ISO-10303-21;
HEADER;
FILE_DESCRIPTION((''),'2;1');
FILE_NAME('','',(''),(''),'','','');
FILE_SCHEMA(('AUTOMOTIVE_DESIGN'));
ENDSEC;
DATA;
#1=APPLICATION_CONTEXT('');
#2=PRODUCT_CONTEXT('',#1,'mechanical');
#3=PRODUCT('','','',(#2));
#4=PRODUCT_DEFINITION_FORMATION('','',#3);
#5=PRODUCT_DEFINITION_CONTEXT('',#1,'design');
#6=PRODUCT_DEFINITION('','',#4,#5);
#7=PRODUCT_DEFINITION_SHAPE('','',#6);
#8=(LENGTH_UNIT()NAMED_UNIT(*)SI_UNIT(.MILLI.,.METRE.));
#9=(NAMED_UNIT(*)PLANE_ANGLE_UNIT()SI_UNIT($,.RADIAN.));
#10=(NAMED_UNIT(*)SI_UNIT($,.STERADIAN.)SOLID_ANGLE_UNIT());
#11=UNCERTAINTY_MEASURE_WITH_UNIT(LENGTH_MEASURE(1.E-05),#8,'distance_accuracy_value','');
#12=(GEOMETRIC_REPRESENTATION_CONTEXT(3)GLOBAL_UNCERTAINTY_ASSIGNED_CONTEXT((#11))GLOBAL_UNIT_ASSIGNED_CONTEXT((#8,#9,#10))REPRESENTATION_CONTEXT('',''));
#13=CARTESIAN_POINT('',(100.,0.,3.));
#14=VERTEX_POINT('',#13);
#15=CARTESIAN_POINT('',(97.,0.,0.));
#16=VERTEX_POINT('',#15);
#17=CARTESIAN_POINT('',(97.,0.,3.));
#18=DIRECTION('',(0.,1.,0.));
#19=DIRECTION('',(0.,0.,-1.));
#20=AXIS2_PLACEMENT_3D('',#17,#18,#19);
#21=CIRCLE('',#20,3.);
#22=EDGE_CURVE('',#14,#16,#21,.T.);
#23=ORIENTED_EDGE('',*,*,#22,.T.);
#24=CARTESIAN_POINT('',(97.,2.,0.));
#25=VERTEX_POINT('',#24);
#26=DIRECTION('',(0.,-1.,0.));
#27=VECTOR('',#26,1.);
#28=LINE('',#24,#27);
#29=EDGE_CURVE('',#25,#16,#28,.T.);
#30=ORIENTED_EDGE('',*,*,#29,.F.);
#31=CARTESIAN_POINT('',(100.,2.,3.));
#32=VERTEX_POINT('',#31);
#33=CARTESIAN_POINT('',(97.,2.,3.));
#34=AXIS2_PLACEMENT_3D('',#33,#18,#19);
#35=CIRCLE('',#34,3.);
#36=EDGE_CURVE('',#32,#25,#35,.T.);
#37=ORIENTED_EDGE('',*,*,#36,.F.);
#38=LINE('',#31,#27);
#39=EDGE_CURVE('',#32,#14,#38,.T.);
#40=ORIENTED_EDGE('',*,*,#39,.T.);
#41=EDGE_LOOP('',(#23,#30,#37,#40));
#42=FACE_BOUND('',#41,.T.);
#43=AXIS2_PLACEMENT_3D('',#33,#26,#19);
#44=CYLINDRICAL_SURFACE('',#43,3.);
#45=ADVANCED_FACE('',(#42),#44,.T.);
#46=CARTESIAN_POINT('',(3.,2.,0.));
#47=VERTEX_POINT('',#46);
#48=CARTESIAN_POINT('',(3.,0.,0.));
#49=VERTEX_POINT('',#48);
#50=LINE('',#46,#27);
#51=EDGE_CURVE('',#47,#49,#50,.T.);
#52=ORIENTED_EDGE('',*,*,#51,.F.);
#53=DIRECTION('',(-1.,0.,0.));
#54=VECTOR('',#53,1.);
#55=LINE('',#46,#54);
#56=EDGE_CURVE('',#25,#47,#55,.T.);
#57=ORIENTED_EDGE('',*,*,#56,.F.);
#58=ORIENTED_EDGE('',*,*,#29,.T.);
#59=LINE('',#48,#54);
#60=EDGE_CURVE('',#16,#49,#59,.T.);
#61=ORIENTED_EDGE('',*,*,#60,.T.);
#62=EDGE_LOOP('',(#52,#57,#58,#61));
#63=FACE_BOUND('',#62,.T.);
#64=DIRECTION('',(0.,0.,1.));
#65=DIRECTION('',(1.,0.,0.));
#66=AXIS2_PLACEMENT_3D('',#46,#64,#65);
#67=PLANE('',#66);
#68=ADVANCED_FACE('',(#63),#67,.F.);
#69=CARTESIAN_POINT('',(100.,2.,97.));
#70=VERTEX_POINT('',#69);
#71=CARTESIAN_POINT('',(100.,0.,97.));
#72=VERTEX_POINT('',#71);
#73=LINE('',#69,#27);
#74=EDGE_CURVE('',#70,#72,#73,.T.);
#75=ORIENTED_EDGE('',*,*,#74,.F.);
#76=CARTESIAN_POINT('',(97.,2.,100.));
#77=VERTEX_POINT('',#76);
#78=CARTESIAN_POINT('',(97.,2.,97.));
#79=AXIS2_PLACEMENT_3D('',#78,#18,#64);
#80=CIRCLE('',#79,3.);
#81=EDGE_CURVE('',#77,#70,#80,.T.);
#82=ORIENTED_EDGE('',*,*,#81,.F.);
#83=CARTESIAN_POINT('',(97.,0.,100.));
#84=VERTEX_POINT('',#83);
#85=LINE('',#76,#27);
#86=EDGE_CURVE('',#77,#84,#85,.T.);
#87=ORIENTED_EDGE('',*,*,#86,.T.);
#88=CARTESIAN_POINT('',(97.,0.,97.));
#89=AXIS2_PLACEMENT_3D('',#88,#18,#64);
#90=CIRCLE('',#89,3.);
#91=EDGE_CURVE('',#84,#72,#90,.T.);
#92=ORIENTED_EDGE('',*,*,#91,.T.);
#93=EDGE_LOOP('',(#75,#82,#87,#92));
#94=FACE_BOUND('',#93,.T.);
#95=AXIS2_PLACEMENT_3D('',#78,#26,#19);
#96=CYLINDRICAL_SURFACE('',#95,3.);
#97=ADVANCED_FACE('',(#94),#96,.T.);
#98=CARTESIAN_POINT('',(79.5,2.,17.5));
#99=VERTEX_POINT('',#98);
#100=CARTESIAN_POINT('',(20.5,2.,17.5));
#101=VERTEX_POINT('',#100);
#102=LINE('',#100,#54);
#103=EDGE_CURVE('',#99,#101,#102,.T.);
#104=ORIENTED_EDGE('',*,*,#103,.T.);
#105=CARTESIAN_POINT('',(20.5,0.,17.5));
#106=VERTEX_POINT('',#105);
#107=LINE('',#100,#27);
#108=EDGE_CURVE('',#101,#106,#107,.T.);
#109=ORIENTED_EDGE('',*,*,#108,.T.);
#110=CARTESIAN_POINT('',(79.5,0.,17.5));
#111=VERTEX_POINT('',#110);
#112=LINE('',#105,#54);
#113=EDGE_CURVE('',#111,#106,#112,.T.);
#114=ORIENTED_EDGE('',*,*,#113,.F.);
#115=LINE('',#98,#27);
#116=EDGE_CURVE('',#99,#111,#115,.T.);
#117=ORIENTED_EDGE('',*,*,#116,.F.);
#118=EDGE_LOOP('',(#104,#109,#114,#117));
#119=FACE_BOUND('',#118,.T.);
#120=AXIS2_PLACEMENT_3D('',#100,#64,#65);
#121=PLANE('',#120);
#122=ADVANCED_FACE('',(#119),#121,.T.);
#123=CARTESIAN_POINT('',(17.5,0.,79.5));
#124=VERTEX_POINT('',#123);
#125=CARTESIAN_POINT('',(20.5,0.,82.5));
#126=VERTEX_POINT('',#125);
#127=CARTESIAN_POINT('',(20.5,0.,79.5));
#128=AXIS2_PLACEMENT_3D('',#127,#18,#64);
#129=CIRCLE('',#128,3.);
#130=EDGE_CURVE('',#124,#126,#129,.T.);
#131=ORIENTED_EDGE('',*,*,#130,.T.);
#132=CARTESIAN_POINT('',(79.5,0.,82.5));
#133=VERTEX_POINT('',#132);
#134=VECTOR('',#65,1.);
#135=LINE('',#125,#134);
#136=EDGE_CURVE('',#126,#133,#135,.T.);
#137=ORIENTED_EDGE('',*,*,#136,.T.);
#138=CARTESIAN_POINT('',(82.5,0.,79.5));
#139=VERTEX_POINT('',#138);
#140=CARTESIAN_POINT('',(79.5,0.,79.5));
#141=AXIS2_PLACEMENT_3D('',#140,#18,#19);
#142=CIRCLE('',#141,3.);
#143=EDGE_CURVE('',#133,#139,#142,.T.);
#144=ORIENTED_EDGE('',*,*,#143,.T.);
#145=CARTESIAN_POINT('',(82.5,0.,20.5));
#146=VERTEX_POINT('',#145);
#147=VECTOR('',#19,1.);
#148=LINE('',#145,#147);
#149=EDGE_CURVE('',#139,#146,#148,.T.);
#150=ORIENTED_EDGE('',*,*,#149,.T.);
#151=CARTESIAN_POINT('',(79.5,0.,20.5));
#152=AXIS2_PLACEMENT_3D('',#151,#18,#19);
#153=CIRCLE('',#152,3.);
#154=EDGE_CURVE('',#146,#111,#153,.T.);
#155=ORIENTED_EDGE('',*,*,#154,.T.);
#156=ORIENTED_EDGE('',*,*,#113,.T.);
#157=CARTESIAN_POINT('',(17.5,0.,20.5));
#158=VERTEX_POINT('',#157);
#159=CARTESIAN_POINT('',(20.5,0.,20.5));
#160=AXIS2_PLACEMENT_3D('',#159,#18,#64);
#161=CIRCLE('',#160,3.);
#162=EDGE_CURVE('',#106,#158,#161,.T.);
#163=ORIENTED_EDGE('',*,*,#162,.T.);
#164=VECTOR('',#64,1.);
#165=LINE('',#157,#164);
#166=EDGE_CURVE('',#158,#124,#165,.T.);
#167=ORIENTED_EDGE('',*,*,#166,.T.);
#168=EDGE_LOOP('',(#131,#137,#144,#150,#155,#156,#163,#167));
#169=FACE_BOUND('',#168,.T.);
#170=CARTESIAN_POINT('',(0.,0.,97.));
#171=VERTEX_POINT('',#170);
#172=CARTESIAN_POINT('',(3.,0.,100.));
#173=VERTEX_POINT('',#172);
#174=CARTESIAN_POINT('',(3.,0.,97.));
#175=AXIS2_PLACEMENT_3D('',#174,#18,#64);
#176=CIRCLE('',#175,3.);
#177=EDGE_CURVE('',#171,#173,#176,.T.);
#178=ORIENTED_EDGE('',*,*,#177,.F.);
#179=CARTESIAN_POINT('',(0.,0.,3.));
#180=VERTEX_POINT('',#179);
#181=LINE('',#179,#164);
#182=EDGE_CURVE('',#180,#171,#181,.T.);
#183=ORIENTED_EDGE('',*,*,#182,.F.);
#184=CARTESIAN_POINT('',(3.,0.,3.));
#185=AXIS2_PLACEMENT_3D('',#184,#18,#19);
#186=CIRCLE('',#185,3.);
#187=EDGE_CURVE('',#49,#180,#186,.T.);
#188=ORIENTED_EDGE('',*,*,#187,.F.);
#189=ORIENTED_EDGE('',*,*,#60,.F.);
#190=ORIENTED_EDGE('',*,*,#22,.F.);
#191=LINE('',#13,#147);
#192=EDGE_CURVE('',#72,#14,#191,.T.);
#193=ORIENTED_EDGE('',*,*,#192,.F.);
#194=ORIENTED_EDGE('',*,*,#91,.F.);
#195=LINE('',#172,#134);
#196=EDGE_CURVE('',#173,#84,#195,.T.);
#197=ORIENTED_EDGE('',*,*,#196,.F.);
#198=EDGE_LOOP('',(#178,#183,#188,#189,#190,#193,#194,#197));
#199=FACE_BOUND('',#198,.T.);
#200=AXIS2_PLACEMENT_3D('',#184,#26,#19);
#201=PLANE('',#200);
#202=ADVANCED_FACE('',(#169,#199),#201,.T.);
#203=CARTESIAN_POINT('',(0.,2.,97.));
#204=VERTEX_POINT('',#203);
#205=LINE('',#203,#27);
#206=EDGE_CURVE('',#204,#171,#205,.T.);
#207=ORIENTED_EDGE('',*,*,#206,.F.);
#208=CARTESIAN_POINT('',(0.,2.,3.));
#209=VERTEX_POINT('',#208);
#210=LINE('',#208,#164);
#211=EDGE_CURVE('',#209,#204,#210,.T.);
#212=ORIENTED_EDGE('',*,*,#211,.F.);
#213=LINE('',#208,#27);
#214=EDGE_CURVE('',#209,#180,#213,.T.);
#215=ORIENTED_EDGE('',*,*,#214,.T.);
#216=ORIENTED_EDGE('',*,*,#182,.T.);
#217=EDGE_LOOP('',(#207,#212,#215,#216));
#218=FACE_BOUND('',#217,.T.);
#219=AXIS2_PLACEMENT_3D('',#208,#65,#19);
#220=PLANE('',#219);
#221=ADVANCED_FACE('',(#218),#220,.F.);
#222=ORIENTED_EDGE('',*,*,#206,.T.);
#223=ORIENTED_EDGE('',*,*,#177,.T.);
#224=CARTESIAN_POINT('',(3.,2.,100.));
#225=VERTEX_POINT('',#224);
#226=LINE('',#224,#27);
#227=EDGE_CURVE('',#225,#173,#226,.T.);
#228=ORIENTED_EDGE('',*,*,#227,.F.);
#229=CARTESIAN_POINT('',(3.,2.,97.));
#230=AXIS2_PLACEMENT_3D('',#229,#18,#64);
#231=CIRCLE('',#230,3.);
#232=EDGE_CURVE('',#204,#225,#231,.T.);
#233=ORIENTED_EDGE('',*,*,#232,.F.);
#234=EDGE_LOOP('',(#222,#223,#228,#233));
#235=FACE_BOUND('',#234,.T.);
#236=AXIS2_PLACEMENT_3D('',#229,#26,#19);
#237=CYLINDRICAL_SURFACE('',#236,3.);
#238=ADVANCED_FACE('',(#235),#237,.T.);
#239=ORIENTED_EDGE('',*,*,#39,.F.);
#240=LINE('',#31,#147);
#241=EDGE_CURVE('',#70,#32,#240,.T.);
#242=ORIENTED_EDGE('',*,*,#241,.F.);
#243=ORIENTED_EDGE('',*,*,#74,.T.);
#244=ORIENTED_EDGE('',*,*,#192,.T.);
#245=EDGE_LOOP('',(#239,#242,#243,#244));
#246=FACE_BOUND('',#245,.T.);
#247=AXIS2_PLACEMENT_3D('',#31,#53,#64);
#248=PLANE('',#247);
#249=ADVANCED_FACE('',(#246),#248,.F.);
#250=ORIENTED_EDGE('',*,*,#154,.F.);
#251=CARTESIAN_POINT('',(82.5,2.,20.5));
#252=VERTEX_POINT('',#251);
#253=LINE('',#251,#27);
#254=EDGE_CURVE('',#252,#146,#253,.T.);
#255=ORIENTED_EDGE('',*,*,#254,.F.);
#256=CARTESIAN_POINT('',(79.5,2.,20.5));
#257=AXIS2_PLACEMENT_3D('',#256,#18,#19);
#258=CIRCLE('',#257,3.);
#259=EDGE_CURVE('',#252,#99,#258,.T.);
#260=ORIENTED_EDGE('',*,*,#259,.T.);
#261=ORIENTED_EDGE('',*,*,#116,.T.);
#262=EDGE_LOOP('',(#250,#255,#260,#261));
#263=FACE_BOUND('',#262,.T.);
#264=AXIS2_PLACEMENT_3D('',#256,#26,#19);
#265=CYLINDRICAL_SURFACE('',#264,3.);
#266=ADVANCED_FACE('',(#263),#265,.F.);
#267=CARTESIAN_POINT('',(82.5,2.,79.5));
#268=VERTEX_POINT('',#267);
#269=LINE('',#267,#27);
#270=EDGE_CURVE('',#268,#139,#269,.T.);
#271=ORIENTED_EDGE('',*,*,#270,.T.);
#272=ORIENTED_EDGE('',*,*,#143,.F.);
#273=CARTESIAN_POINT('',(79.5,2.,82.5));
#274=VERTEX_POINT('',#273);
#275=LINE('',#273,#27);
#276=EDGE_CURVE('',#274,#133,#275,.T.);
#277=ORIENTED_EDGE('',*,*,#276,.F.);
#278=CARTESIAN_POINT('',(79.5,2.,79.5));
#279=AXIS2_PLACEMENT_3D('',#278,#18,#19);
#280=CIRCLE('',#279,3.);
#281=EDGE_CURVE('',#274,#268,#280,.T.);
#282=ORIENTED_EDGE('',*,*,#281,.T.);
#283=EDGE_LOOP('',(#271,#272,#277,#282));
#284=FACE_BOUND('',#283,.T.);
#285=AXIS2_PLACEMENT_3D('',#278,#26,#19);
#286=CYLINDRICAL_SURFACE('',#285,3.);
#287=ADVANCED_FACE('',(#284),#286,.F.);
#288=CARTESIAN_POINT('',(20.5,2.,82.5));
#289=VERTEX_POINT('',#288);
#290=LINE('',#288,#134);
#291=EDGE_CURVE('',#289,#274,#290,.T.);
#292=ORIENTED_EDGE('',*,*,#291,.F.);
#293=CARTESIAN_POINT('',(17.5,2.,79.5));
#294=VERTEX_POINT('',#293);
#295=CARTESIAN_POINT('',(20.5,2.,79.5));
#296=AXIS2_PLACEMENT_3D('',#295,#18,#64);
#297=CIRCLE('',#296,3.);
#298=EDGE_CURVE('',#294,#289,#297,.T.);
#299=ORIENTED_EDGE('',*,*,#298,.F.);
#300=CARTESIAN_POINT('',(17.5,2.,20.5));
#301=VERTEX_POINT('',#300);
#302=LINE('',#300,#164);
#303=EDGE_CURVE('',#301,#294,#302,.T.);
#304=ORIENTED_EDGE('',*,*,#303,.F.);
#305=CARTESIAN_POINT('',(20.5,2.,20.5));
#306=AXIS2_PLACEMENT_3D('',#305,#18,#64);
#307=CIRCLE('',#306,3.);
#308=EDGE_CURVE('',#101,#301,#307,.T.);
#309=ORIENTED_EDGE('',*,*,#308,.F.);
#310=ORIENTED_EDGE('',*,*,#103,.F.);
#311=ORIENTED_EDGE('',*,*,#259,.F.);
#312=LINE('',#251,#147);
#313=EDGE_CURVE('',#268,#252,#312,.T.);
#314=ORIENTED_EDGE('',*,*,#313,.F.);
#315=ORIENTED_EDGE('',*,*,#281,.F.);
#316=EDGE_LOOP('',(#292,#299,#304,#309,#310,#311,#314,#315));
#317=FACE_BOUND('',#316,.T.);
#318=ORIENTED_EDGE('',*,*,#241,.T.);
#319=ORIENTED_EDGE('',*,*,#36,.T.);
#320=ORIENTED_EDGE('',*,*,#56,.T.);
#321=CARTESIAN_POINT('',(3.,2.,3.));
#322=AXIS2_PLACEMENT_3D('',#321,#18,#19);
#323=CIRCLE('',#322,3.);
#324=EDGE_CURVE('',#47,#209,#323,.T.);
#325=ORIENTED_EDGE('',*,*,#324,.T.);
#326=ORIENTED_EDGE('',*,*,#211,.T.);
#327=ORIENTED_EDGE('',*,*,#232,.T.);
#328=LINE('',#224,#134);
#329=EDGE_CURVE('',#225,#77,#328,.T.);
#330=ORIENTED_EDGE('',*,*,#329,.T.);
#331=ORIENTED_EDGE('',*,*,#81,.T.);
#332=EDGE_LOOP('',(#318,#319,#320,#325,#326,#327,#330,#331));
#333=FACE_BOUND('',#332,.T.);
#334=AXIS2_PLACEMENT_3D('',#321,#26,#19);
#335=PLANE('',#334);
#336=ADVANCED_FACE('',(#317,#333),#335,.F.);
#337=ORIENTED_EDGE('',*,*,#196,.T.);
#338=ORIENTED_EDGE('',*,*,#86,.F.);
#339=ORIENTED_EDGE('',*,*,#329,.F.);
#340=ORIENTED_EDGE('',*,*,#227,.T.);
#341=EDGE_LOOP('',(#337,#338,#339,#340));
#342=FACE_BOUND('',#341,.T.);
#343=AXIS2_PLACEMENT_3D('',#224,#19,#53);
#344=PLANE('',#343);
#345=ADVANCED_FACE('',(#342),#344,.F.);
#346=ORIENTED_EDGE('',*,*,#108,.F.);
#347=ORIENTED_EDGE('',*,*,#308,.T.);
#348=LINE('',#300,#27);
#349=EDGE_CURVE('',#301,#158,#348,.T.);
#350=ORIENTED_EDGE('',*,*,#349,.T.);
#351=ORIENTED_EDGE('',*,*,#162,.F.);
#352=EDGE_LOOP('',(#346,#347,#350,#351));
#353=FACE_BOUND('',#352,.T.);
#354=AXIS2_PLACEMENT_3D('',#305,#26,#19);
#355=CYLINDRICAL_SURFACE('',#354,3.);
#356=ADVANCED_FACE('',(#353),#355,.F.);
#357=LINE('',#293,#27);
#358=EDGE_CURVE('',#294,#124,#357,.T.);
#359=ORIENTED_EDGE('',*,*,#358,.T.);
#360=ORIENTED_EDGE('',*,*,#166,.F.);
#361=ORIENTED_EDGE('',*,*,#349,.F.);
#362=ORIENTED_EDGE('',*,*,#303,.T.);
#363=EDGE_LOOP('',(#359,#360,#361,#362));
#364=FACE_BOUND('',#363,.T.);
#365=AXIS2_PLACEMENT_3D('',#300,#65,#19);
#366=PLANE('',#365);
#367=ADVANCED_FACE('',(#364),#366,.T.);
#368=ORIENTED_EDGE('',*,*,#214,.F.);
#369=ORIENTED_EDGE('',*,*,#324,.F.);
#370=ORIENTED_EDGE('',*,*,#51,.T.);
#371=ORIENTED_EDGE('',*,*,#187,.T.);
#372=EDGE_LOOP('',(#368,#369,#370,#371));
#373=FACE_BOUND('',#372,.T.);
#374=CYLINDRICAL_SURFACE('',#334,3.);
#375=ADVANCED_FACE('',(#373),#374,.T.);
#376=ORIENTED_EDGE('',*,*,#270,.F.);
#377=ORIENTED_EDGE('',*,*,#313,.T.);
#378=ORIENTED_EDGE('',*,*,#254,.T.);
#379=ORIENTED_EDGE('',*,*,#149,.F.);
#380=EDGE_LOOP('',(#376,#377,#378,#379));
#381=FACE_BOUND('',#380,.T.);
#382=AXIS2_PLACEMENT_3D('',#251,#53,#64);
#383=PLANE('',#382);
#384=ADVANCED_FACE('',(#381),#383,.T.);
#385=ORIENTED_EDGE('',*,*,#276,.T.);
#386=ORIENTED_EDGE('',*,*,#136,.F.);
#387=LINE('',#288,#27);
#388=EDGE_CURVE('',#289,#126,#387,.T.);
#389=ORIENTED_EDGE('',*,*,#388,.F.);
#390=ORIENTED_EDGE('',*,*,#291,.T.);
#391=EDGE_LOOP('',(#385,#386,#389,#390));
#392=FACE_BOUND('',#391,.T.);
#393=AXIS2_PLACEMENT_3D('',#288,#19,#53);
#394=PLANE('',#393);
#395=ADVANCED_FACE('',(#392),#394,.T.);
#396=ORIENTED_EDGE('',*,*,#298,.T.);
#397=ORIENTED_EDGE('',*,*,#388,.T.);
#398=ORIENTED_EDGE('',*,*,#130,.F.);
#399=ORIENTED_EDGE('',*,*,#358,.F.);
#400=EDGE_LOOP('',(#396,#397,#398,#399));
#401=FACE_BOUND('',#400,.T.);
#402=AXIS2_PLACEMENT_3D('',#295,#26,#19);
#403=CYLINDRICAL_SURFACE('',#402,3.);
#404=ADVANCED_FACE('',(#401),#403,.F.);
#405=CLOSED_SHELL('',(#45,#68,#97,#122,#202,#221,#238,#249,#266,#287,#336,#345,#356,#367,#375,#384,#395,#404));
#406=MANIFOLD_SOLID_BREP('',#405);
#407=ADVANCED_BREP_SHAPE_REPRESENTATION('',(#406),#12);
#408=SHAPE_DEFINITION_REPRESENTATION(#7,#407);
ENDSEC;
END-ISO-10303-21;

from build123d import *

# Parameters (mm, degrees)
EXTRUDE_1_DEPTH = 2


with BuildPart() as part:
    # 草图1 → 凸台-拉伸1 (new body)
    with BuildSketch(Plane(origin=(0, 0, 0), x_dir=(1, 0, 0), z_dir=(0, 1, 0))):
        with BuildLine():
            Line((3, 0), (97, 0))
            ThreePointArc((97, 0), (99.121320344, -0.878679656), (100, -3))
            Line((100, -3), (100, -97))
            ThreePointArc((100, -97), (99.121320344, -99.121320344), (97, -100))
            Line((97, -100), (3, -100))
            ThreePointArc((3, -100), (0.878679656, -99.121320344), (0, -97))
            Line((0, -97), (0, -3))
            ThreePointArc((0, -3), (0.878679656, -0.878679656), (3, 0))
        make_face()
        with BuildLine():
            Line((20.5, -17.5), (79.5, -17.5))
            ThreePointArc((79.5, -17.5), (81.621320344, -18.378679656), (82.5, -20.5))
            Line((82.5, -20.5), (82.5, -79.5))
            ThreePointArc((82.5, -79.5), (81.621320344, -81.621320344), (79.5, -82.5))
            Line((79.5, -82.5), (20.5, -82.5))
            ThreePointArc((20.5, -82.5), (18.378679656, -81.621320344), (17.5, -79.5))
            Line((17.5, -79.5), (17.5, -20.5))
            ThreePointArc((17.5, -20.5), (18.378679656, -18.378679656), (20.5, -17.5))
        make_face(mode=Mode.SUBTRACT)
    extrude(amount=EXTRUDE_1_DEPTH)


solid = part.part
